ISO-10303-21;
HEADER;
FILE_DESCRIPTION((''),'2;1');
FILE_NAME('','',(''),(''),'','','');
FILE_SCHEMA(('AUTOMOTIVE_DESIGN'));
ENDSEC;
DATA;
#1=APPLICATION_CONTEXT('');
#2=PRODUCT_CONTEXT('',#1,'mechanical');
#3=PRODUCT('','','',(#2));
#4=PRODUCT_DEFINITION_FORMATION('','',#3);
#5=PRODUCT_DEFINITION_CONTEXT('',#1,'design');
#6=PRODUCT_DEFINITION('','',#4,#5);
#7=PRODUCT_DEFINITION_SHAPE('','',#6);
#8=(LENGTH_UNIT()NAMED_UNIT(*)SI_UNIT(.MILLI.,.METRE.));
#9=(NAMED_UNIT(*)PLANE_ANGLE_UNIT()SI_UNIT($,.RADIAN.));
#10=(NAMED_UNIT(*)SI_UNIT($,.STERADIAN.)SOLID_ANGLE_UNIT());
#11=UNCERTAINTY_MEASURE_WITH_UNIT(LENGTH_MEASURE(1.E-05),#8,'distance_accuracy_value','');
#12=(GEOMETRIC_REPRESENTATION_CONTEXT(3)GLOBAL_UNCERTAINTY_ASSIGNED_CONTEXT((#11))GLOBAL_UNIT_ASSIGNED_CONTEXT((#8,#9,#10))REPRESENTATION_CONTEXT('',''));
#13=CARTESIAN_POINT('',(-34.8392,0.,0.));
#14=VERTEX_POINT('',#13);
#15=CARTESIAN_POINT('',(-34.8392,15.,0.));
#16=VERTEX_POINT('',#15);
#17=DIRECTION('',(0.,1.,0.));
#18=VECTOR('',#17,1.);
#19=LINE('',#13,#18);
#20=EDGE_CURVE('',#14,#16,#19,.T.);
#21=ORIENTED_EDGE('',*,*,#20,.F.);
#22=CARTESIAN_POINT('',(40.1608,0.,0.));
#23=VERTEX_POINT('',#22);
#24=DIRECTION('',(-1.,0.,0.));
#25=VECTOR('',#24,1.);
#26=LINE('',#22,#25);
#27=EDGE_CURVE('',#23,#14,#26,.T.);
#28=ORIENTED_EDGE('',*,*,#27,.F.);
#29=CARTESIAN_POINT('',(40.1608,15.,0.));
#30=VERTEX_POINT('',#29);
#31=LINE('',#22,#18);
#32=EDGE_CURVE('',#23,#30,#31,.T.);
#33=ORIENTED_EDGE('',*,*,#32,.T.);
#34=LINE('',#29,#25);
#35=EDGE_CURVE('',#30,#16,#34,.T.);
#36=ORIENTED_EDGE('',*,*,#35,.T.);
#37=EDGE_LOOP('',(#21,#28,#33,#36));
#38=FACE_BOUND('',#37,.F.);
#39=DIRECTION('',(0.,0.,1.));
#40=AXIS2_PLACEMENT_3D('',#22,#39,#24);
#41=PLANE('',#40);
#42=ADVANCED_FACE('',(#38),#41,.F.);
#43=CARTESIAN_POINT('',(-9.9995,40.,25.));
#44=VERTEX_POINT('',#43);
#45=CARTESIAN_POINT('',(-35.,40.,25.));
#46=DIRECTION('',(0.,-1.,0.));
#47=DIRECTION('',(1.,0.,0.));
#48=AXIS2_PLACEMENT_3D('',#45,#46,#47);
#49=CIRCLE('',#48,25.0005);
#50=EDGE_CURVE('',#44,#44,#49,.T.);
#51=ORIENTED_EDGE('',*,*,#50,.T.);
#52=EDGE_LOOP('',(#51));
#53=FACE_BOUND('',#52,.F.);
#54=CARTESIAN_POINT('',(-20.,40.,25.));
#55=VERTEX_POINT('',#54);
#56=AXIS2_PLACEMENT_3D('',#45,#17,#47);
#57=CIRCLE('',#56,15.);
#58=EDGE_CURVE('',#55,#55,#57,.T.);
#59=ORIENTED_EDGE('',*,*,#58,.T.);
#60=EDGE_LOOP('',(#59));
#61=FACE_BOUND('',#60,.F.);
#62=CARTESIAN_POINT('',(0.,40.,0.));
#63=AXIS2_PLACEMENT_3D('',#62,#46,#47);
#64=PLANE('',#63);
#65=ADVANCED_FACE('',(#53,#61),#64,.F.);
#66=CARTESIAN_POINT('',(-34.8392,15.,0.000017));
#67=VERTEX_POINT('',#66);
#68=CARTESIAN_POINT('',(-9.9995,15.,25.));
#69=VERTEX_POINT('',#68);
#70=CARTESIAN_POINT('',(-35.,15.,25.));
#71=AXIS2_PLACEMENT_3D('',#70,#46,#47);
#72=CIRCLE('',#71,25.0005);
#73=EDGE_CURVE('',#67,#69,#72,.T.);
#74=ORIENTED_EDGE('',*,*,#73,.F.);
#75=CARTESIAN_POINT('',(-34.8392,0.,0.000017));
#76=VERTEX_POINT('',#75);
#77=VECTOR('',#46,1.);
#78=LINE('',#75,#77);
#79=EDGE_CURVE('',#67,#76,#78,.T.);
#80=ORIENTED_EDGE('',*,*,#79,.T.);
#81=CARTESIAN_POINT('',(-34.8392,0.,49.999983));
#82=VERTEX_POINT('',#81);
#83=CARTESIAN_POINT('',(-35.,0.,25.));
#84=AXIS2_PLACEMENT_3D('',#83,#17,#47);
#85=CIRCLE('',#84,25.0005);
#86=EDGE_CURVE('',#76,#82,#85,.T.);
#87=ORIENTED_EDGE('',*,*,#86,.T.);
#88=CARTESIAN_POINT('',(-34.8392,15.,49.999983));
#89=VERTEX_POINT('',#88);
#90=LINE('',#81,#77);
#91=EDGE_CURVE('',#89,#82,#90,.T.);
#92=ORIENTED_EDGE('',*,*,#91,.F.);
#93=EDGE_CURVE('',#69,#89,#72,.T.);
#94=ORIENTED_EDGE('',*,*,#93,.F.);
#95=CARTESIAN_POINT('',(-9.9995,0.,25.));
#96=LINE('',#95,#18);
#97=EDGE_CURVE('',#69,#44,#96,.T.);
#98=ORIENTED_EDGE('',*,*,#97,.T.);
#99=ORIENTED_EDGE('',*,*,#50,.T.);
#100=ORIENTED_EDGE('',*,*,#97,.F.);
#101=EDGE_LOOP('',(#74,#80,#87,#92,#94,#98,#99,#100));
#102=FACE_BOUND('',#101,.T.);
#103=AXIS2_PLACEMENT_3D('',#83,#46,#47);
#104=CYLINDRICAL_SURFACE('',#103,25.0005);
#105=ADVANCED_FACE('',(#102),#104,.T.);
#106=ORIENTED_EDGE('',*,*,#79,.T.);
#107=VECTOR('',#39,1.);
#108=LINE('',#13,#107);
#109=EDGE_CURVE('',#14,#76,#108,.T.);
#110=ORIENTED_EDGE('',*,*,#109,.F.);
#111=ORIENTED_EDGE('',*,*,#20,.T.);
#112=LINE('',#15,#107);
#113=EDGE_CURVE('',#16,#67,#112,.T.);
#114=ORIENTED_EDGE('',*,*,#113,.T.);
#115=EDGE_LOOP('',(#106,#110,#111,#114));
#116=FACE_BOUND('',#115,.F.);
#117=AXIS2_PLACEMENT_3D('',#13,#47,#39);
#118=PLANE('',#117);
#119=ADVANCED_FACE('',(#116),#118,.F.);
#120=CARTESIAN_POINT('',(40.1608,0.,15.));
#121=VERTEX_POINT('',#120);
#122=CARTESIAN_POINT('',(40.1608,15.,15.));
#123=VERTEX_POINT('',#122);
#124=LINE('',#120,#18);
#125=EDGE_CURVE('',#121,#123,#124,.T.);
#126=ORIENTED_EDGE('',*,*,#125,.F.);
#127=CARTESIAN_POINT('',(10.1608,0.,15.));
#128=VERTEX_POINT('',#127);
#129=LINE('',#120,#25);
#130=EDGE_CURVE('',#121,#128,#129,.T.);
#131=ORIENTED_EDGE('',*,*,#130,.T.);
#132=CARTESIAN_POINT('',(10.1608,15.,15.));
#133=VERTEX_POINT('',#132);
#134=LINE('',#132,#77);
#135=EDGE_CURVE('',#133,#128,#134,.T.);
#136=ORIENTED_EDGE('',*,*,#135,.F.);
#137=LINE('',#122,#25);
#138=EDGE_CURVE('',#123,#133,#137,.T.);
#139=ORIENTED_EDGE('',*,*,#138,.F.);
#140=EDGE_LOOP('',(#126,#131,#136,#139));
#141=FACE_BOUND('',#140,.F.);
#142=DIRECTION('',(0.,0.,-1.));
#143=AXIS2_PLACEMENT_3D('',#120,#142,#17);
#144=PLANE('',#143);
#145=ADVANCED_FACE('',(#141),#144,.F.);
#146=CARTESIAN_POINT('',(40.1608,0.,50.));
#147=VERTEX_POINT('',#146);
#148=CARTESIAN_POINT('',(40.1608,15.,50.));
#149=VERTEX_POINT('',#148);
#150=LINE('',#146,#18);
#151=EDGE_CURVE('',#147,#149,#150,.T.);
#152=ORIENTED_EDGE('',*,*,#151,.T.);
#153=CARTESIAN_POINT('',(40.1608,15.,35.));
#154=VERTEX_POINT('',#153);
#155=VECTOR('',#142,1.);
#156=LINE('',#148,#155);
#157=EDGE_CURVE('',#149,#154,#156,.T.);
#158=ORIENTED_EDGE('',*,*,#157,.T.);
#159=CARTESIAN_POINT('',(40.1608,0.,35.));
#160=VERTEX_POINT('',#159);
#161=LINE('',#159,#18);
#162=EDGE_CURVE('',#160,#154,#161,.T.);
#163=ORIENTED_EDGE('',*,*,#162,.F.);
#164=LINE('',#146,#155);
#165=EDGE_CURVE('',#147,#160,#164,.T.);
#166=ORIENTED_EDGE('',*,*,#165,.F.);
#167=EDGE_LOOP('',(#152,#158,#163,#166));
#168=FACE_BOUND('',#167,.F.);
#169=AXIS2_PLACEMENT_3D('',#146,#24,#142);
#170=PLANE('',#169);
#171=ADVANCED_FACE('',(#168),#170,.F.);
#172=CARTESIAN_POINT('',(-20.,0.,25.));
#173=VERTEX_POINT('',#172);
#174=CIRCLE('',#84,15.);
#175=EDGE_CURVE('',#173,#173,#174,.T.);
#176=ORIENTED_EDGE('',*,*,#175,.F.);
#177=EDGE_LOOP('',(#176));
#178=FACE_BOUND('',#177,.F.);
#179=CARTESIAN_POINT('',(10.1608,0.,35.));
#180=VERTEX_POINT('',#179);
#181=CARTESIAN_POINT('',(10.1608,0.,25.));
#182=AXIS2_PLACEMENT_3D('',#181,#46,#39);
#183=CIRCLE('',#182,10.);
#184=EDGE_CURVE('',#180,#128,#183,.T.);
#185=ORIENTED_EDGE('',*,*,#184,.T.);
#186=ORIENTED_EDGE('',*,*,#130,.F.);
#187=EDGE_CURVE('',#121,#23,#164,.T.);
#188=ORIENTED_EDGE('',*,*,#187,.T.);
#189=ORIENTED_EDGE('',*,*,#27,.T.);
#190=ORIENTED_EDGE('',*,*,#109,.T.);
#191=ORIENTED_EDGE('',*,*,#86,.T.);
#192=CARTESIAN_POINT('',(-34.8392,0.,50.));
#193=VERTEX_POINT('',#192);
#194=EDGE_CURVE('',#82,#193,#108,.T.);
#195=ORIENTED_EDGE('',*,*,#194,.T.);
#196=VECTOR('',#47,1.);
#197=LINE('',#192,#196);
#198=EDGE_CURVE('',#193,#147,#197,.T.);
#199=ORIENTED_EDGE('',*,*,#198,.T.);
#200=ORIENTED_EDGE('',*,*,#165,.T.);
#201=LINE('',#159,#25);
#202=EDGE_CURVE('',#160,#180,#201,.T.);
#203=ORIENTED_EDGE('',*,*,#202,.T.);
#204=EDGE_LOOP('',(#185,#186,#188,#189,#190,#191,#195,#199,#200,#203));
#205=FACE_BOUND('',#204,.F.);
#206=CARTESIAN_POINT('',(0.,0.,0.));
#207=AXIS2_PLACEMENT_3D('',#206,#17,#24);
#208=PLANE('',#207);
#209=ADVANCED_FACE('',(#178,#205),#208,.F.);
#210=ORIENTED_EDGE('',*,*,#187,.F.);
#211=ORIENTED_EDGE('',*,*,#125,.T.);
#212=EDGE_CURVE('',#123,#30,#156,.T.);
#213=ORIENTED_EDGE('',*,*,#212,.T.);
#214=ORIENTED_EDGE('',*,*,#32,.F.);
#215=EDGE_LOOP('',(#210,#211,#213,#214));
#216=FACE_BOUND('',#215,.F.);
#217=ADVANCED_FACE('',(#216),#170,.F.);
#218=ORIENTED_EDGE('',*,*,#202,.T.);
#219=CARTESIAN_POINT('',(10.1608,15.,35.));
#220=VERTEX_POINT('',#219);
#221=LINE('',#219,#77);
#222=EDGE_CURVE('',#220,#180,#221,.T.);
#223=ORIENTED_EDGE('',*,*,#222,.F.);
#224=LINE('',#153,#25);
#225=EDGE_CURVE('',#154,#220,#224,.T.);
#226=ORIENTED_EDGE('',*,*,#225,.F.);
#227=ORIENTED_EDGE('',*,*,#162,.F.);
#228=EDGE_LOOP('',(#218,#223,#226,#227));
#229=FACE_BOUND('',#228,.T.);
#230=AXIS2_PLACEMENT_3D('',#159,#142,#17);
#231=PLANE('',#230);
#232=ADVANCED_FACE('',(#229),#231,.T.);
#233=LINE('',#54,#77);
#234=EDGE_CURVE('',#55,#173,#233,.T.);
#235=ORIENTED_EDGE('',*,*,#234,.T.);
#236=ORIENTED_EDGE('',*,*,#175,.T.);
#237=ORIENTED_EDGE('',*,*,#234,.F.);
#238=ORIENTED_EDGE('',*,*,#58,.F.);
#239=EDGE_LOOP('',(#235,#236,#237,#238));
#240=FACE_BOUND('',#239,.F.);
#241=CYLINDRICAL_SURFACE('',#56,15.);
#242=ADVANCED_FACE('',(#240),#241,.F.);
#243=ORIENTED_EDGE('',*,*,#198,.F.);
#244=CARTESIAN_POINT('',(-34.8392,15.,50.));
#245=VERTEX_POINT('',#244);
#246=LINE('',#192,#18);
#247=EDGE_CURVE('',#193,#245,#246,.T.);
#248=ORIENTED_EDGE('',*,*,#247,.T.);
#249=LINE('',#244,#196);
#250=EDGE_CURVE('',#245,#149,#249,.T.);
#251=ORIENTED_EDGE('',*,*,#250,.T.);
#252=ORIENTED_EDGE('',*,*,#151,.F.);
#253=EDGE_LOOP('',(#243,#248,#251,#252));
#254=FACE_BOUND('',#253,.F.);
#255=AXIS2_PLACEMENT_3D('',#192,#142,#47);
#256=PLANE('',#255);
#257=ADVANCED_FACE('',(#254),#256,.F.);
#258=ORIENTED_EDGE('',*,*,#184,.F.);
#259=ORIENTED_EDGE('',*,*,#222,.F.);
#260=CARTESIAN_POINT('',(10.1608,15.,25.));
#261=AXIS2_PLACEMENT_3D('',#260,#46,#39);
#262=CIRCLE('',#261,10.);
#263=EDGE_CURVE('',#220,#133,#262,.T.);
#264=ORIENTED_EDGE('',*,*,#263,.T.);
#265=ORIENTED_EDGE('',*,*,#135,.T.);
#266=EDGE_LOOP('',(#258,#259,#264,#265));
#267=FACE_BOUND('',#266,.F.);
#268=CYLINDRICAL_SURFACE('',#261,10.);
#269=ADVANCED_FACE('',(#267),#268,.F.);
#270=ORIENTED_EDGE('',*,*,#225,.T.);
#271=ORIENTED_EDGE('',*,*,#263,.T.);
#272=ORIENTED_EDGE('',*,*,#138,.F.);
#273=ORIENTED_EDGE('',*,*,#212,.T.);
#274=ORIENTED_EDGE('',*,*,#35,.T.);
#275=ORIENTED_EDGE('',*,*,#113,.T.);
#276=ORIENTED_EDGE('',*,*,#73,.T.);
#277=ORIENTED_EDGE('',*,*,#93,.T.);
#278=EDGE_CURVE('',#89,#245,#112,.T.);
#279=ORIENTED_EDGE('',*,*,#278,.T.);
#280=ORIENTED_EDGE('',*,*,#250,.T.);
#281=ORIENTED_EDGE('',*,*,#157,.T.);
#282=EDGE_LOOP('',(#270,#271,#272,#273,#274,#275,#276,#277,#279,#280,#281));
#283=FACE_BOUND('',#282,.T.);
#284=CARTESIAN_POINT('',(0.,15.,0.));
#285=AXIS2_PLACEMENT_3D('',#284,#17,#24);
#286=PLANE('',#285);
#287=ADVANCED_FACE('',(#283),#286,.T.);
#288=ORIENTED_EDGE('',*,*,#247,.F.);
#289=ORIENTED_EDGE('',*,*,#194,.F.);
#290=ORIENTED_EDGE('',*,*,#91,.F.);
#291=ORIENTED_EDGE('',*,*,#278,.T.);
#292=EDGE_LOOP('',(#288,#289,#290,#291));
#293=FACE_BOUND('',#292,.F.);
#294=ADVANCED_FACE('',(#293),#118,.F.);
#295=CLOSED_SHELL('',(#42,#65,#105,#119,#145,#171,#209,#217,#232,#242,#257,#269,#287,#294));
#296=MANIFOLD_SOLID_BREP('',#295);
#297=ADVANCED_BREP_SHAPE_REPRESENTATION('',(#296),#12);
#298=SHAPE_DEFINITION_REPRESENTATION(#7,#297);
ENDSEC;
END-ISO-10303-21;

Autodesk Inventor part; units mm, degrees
ref_plane "YZ Plane" through (0, 0, 0) normal (1, 0, 0) x (0, 1, 0)
ref_plane "XZ Plane" through (0, 0, 0) normal (0, 1, 0) x (-1, 0, 0)
ref_plane "XY Plane" through (0, 0, 0) normal (0, 0, 1) x (1, 0, 0)
sketch "Sketch4" plane through (0, 0, 0) normal (0, 1, 0) x (-1, 0, 0)
  line L0 (-40.1608, 0) -> (34.8392, 0)
  line L1 (34.8392, 0) -> (34.8392, 50)
  line L2 (34.8392, 50) -> (-40.1608, 50)
  line L3 (-40.1608, 50) -> (-40.1608, 0)
  point P0 (0, 0)
  point P1 (0, 0)
  dimension "d3" = 75
  dimension "d4" = 50
extrude "Extrusion1" add sketch "Sketch4" along normal blind 15
sketch "Sketch5" plane through (0, 0, 0) normal (0, -1, 0) x (1, 0, 0)
  point P0 (0, 0)
sketch "Sketch7" plane through (0, 0, 0) normal (0, -1, 0) x (1, 0, 0)
  line L0 (-34.8392, 0) -> (-34.8392, 50) projected
  circle A0 centre (-35, 25) radius 25.0005
  point P0 (0, 0)
extrude "Extrusion3" add sketch "Sketch7" against normal blind 40
sketch "Sketch8" plane through (-35, 40, 25) normal (0, 1, 0) x (1, 0, 0)
  circle A0 centre (0, 0) radius 15
  point P0 (35, 25)
  dimension "d11" = 30
extrude "Extrusion4" cut sketch "Sketch8" against normal through all
sketch "Sketch9" plane through (0, 15, 0) normal (0, 1, 0) x (1, 0, 0)
  line L0 (40.1608, -50) -> (40.1608, 0) projected
  line L1 (40.1608, 0) -> (-34.8392, 0) projected
  point P0 (0, 0)
  point P1 (10.1608, -25)
  dimension "d14" = 30
  dimension "d15" = 25
hole "Hole1" at (10.1608, 15, 25) direction (0, -1, 0) diameter 20 end through all
sketch "Sketch10" plane through (40.1608, 0, 50) normal (1, 0, 0) x (0, 0, -1)
  line L0 (15, 0) -> (15, 15) projected
  line L1 (15, 0) -> (35, 0)
  line L2 (35, 0) -> (35, 15)
  line L3 (35, 15) -> (15, 15)
  line L4 (15, 15) -> (15, 0)
  point P0 (50, 0)
extrude "Extrusion5" cut sketch "Sketch10" against normal up to surface
properties part number "Assignment 3 - Locator"
